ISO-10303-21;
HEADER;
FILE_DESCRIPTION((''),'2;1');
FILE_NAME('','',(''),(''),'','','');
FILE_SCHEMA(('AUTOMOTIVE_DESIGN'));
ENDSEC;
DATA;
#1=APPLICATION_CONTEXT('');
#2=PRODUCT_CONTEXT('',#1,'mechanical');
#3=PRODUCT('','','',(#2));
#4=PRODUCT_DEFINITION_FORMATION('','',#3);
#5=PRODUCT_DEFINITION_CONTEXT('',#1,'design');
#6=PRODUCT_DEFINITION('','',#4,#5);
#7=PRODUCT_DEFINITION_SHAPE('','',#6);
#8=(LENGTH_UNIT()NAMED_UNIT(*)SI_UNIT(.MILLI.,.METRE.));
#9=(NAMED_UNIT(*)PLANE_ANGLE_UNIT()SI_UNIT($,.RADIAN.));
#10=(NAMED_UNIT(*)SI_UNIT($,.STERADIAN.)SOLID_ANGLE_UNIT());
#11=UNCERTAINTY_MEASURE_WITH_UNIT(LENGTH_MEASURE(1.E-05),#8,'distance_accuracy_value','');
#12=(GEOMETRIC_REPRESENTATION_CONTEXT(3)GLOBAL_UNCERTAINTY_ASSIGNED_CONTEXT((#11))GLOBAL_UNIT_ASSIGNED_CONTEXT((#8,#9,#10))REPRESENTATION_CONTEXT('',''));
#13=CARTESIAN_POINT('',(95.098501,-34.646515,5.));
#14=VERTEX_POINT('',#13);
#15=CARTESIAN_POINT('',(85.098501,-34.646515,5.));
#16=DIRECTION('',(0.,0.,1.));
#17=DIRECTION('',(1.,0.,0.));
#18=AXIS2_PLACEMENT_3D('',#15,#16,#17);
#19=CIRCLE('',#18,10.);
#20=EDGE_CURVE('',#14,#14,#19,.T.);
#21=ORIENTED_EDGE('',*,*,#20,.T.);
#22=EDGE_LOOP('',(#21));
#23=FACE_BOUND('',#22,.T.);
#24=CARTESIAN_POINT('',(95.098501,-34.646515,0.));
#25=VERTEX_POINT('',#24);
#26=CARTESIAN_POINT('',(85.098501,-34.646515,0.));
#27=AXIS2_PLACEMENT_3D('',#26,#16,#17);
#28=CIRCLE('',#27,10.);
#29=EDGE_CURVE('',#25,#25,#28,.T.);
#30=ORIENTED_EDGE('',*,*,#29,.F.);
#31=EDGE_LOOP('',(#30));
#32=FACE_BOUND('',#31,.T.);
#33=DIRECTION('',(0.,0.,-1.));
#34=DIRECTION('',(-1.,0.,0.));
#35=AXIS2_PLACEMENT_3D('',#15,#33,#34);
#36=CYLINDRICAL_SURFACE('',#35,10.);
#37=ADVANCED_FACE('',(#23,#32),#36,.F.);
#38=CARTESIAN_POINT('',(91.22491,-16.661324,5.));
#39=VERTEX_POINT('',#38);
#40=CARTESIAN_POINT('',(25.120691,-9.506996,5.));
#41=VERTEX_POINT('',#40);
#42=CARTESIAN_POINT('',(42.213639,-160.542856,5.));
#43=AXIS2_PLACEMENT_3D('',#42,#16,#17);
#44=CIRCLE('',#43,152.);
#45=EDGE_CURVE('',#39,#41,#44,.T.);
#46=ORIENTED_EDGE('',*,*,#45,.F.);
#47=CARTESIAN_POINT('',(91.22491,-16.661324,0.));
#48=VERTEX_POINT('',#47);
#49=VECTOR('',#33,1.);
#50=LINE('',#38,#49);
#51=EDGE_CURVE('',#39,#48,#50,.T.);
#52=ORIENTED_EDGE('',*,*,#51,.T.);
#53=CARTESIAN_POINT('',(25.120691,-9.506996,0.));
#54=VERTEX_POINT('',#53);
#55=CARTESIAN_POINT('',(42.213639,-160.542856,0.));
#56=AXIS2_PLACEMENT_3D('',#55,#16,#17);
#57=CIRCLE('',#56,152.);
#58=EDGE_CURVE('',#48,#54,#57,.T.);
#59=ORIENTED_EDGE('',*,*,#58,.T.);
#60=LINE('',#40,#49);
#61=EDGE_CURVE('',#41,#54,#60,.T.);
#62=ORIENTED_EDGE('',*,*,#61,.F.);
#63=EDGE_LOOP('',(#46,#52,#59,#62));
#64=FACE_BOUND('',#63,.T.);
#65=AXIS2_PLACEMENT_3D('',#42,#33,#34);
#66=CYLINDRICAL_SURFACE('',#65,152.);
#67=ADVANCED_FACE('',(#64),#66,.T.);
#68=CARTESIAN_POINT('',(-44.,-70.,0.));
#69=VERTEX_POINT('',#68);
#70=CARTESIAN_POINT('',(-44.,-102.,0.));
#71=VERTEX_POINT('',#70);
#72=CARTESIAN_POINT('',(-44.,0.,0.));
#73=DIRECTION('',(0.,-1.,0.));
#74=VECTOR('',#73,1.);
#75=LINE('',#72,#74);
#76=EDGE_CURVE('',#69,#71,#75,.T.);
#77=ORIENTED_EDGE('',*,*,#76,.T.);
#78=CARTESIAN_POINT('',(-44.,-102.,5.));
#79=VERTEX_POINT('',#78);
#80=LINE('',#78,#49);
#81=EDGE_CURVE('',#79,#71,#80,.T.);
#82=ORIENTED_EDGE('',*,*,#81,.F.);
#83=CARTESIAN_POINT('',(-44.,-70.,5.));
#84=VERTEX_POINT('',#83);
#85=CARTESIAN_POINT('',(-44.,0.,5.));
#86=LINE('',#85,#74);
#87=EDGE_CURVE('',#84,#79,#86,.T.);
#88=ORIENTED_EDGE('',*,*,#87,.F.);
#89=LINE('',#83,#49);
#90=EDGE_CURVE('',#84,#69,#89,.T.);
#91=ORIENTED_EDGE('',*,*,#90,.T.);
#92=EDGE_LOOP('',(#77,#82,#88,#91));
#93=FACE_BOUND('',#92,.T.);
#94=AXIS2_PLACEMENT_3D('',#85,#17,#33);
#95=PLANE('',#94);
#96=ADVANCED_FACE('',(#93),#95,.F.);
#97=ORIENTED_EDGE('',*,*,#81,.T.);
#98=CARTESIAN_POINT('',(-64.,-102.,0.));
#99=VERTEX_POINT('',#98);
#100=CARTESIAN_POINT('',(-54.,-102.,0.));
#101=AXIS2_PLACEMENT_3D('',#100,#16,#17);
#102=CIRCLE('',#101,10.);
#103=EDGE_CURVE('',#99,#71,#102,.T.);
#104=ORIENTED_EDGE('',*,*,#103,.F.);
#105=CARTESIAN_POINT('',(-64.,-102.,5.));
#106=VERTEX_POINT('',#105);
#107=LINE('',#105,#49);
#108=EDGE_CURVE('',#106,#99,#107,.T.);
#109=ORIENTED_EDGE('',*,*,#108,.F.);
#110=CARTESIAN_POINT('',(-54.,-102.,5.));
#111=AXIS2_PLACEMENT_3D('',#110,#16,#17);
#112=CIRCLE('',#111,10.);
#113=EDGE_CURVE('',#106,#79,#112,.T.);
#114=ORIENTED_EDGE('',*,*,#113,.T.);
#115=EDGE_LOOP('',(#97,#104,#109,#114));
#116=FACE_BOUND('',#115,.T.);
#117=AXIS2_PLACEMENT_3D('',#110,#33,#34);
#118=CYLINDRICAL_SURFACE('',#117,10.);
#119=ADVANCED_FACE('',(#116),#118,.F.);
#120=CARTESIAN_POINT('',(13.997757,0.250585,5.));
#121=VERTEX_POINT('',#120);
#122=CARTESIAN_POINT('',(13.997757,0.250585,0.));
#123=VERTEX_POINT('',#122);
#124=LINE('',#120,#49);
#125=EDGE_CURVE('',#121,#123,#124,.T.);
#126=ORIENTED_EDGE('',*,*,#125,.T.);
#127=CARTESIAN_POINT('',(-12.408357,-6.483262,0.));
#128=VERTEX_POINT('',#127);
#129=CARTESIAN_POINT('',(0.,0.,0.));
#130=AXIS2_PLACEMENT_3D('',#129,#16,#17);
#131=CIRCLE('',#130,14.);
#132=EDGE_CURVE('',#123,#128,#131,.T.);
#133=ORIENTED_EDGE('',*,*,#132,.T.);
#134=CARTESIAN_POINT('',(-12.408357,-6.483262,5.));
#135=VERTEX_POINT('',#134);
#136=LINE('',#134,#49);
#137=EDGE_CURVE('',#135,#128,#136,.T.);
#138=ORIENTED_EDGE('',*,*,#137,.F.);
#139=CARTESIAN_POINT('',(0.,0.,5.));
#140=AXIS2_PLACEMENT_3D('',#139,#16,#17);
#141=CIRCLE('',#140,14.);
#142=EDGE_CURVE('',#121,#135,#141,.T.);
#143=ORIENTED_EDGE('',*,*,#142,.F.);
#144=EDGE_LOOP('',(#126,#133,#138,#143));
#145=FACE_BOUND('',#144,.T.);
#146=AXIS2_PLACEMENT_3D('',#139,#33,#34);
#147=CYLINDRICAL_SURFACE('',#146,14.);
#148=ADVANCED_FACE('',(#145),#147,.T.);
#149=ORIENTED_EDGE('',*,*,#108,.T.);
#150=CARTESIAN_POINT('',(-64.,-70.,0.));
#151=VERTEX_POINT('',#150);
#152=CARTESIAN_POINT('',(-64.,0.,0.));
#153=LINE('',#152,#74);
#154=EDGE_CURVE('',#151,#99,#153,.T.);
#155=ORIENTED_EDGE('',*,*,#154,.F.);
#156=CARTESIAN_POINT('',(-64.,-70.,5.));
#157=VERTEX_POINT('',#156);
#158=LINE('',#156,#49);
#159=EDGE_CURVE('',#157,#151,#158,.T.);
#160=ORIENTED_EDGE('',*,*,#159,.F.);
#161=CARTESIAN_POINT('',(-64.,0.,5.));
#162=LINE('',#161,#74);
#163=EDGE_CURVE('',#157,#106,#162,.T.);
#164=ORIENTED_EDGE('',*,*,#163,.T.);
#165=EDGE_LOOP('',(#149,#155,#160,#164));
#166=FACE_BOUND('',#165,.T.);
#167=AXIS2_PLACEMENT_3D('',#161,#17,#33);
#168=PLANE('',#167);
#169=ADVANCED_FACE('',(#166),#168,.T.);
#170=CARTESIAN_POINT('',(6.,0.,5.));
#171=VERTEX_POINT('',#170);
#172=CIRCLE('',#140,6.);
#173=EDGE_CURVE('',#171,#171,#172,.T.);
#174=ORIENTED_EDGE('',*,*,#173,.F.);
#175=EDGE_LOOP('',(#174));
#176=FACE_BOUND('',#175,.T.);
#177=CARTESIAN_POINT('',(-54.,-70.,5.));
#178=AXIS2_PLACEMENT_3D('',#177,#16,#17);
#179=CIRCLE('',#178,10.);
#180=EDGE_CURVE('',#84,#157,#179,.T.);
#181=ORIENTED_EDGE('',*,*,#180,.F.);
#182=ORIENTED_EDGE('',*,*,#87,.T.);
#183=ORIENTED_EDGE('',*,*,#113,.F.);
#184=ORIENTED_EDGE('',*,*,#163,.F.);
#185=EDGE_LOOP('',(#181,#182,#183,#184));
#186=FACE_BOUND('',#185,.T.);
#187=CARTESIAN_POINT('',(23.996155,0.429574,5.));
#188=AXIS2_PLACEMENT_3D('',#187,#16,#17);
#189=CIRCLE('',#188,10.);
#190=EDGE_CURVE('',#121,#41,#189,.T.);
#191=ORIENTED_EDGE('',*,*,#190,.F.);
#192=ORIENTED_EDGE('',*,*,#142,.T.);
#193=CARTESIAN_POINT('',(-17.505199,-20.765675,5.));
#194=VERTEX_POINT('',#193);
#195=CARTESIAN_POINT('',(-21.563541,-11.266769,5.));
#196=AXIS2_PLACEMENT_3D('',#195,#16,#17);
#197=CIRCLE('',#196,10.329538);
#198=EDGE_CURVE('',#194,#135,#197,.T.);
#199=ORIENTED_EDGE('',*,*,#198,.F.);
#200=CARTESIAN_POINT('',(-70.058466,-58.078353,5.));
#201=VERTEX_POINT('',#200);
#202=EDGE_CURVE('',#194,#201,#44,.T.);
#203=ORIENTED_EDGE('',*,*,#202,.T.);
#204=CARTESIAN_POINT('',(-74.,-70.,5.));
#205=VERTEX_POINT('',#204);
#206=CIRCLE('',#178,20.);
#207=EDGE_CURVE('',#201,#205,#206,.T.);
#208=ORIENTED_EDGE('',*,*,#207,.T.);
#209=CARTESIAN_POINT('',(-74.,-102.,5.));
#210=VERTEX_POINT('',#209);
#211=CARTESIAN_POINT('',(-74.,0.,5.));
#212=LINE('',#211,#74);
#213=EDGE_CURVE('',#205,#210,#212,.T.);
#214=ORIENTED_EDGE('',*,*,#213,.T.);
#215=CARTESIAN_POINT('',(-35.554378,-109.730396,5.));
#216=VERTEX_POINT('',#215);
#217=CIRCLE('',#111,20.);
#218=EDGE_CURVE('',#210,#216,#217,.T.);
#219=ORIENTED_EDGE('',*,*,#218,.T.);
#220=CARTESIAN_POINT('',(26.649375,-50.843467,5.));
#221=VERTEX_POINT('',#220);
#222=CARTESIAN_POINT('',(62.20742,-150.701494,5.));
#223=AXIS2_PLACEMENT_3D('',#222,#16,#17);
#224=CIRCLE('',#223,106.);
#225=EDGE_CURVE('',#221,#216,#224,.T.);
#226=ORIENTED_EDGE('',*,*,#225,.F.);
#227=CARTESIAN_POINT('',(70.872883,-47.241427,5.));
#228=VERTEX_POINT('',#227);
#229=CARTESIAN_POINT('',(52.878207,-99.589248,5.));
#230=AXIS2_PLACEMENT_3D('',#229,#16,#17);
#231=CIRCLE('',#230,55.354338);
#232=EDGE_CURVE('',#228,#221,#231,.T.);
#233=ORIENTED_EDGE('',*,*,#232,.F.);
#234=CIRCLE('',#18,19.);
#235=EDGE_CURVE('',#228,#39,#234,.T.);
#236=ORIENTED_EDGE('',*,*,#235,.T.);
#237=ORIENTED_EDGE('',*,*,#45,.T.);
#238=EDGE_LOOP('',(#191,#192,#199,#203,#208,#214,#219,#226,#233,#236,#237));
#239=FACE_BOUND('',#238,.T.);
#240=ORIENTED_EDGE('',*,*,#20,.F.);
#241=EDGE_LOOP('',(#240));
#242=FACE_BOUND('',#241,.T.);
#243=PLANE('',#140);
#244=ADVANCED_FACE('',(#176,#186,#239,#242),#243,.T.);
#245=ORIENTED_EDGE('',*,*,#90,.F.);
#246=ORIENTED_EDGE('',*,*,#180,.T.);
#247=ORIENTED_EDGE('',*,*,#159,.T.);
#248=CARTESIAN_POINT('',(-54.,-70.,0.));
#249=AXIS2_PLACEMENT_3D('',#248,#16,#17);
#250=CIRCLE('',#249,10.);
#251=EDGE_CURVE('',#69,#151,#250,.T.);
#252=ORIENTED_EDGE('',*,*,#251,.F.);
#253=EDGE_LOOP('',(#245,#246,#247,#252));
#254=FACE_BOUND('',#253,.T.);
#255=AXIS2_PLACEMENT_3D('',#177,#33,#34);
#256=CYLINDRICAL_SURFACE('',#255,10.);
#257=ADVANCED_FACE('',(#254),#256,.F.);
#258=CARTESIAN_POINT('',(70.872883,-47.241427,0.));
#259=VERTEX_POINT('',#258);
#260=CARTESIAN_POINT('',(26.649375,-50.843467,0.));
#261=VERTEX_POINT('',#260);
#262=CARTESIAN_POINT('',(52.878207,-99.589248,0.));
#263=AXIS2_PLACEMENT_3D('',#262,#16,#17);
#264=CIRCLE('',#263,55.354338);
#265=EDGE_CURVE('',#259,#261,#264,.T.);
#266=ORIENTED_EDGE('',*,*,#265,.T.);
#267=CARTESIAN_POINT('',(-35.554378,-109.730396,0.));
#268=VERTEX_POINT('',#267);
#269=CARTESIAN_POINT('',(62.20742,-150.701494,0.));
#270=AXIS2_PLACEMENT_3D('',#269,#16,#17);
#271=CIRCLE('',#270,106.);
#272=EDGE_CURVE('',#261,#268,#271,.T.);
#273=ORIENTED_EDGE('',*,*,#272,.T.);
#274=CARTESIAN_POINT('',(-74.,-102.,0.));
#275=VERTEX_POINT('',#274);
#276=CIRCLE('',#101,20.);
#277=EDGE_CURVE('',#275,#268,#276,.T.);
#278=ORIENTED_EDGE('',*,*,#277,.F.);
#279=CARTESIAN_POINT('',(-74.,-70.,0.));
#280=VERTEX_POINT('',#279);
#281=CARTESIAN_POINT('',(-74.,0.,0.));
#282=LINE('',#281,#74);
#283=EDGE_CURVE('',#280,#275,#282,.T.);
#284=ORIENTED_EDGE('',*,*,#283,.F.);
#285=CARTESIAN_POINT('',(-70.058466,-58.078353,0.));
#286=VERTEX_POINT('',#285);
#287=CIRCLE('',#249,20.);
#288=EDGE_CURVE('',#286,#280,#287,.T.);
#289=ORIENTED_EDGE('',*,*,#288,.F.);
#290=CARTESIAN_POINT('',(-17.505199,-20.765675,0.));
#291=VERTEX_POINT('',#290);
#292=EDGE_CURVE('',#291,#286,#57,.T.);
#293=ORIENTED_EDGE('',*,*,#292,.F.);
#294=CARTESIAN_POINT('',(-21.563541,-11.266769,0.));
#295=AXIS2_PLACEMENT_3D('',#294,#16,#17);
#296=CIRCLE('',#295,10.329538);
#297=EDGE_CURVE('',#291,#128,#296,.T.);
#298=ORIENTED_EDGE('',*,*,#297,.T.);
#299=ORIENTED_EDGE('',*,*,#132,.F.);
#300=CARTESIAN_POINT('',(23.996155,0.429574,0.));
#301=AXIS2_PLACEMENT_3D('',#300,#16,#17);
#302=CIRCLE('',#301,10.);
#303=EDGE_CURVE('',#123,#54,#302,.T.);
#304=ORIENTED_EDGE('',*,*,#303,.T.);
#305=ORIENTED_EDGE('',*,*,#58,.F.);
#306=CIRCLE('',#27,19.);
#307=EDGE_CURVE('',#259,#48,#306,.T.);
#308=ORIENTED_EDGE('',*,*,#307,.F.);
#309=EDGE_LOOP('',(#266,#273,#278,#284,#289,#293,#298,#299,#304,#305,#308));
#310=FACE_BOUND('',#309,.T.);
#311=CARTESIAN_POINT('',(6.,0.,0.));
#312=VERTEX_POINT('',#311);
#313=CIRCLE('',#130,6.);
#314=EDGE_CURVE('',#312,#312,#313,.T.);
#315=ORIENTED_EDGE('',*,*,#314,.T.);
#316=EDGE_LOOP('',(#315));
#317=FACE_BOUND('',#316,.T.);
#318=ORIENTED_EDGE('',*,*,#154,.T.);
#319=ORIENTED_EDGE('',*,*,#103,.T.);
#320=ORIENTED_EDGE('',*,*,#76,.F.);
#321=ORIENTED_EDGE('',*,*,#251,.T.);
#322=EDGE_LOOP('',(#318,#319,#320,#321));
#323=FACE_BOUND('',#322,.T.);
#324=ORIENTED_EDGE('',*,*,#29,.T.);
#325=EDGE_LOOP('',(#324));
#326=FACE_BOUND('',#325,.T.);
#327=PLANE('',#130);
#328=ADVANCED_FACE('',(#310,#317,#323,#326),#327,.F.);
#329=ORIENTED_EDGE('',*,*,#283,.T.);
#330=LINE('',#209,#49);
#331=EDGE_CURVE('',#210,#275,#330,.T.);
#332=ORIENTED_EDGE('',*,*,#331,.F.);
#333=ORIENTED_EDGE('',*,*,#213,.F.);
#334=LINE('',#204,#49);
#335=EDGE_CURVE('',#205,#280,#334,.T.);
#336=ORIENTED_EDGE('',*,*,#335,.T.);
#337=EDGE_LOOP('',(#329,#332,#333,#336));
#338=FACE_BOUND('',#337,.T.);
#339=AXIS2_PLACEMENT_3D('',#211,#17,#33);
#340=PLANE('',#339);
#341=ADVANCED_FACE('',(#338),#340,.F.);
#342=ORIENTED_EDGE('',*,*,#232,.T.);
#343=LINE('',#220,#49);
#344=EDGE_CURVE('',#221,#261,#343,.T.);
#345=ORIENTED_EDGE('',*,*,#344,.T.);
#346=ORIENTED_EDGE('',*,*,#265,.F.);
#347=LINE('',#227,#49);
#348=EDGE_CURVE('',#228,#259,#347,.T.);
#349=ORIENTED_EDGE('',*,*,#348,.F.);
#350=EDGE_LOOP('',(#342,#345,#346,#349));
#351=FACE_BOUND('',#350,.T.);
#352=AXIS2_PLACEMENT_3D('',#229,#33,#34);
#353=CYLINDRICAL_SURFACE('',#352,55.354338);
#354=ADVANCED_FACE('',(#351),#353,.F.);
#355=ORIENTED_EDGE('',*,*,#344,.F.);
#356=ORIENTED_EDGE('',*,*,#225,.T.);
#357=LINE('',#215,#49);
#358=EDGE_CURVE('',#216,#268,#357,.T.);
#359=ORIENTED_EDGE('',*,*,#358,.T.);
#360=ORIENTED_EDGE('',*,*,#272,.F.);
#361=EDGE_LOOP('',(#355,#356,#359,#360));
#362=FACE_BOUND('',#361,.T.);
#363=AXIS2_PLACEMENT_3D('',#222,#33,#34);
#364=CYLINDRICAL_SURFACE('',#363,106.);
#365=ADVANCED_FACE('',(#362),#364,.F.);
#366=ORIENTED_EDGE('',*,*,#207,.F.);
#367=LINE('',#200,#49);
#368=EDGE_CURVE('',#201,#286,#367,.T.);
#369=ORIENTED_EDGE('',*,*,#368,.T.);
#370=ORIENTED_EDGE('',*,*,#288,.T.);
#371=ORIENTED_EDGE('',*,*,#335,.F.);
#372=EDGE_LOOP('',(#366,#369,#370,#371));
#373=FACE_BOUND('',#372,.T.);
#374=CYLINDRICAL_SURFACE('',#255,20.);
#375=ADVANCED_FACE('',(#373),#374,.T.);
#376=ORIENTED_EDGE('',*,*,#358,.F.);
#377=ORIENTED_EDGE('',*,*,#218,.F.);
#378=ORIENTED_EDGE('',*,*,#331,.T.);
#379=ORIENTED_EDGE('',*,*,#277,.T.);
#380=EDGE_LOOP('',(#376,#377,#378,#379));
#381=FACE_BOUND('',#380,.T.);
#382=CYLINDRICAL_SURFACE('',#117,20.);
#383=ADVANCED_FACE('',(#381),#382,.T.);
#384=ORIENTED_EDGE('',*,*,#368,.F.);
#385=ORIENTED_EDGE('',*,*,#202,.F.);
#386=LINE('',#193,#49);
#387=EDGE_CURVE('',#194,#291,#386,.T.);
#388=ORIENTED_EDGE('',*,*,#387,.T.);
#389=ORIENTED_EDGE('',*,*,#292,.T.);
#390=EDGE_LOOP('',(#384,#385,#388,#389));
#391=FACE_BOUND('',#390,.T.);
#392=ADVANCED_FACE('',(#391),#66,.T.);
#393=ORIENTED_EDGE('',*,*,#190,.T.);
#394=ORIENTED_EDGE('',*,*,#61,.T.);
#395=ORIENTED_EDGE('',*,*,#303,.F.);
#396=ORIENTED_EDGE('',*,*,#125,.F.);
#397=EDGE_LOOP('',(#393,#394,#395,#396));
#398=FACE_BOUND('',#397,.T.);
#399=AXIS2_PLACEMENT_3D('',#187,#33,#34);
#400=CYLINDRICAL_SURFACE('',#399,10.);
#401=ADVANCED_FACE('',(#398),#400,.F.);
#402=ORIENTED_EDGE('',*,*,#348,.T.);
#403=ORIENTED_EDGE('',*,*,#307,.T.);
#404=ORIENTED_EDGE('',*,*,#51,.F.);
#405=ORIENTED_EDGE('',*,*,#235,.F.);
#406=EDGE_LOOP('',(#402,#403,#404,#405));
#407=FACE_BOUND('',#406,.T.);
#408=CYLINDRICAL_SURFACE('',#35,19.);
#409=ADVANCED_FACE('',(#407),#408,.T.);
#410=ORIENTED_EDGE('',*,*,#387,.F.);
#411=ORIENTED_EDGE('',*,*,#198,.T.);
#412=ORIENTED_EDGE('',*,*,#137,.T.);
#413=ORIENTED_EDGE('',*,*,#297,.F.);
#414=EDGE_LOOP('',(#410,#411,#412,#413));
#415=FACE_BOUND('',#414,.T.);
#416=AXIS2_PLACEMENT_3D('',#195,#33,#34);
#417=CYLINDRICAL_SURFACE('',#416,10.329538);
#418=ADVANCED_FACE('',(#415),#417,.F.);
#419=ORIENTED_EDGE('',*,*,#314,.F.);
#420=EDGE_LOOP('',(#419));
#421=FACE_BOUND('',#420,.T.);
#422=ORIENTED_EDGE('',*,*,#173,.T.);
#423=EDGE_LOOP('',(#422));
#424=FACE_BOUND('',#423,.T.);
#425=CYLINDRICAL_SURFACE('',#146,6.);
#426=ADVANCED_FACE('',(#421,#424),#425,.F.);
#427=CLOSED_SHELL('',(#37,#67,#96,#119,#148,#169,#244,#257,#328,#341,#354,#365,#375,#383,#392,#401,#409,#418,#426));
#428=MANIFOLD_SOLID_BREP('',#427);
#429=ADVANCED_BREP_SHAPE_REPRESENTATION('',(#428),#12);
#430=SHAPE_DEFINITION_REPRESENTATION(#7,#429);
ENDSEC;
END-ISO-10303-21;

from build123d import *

# Parameters (mm, degrees)
SKETCH1_R           = 6
SKETCH1_R_2         = 10
BOSS_EXTRUDE5_DEPTH = 5


with BuildPart() as part:
    # Sketch1 → Boss-Extrude5 (new body)
    with BuildSketch(Plane.XY):
        with BuildLine():
            ThreePointArc((-70.058465936, -58.078352807), (-72.989066837, -63.721836205), (-74, -70))
            Line((-74, -70), (-74, -102))
            ThreePointArc((-74, -102), (-57.94255977, -121.607555239), (-35.554377754, -109.730395847))
            ThreePointArc((-35.554377754, -109.730395847), (-10.665501502, -73.723982253), (26.649375188, -50.843467428))
            ThreePointArc((26.649375188, -50.843467428), (48.384433069, -44.417618227), (70.872883052, -47.241427079))
            ThreePointArc((70.872883052, -47.241427079), (100.915737424, -45.173387051), (91.224909648, -16.661323894))
            ThreePointArc((91.224909648, -16.661323894), (58.568789172, -9.425322294), (25.12069127, -9.506995785))
            ThreePointArc((25.12069127, -9.506995785), (17.4015399, -7.087809111), (13.997757222, 0.250584822))
            ThreePointArc((13.997757222, 0.250584822), (-3.45943961, 13.565849682), (-12.408356532, -6.483262156))
            ThreePointArc((-12.408356532, -6.483262156), (-11.834915893, -14.73854087), (-17.505199272, -20.765675115))
            ThreePointArc((-17.505199272, -20.765675115), (-45.782270653, -36.604484887), (-70.058465936, -58.078352807))
        make_face()
        with BuildLine():
            ThreePointArc((-44, -102), (-54, -112), (-64, -102))
            Line((-64, -102), (-64, -70))
            ThreePointArc((-64, -70), (-54, -60), (-44, -70))
            Line((-44, -70), (-44, -102))
        make_face(mode=Mode.SUBTRACT)
        Circle(SKETCH1_R, mode=Mode.SUBTRACT)
        with Locations((85.098500813, -34.646515436)):
            Circle(SKETCH1_R_2, mode=Mode.SUBTRACT)
    extrude(amount=BOSS_EXTRUDE5_DEPTH)


solid = part.part
